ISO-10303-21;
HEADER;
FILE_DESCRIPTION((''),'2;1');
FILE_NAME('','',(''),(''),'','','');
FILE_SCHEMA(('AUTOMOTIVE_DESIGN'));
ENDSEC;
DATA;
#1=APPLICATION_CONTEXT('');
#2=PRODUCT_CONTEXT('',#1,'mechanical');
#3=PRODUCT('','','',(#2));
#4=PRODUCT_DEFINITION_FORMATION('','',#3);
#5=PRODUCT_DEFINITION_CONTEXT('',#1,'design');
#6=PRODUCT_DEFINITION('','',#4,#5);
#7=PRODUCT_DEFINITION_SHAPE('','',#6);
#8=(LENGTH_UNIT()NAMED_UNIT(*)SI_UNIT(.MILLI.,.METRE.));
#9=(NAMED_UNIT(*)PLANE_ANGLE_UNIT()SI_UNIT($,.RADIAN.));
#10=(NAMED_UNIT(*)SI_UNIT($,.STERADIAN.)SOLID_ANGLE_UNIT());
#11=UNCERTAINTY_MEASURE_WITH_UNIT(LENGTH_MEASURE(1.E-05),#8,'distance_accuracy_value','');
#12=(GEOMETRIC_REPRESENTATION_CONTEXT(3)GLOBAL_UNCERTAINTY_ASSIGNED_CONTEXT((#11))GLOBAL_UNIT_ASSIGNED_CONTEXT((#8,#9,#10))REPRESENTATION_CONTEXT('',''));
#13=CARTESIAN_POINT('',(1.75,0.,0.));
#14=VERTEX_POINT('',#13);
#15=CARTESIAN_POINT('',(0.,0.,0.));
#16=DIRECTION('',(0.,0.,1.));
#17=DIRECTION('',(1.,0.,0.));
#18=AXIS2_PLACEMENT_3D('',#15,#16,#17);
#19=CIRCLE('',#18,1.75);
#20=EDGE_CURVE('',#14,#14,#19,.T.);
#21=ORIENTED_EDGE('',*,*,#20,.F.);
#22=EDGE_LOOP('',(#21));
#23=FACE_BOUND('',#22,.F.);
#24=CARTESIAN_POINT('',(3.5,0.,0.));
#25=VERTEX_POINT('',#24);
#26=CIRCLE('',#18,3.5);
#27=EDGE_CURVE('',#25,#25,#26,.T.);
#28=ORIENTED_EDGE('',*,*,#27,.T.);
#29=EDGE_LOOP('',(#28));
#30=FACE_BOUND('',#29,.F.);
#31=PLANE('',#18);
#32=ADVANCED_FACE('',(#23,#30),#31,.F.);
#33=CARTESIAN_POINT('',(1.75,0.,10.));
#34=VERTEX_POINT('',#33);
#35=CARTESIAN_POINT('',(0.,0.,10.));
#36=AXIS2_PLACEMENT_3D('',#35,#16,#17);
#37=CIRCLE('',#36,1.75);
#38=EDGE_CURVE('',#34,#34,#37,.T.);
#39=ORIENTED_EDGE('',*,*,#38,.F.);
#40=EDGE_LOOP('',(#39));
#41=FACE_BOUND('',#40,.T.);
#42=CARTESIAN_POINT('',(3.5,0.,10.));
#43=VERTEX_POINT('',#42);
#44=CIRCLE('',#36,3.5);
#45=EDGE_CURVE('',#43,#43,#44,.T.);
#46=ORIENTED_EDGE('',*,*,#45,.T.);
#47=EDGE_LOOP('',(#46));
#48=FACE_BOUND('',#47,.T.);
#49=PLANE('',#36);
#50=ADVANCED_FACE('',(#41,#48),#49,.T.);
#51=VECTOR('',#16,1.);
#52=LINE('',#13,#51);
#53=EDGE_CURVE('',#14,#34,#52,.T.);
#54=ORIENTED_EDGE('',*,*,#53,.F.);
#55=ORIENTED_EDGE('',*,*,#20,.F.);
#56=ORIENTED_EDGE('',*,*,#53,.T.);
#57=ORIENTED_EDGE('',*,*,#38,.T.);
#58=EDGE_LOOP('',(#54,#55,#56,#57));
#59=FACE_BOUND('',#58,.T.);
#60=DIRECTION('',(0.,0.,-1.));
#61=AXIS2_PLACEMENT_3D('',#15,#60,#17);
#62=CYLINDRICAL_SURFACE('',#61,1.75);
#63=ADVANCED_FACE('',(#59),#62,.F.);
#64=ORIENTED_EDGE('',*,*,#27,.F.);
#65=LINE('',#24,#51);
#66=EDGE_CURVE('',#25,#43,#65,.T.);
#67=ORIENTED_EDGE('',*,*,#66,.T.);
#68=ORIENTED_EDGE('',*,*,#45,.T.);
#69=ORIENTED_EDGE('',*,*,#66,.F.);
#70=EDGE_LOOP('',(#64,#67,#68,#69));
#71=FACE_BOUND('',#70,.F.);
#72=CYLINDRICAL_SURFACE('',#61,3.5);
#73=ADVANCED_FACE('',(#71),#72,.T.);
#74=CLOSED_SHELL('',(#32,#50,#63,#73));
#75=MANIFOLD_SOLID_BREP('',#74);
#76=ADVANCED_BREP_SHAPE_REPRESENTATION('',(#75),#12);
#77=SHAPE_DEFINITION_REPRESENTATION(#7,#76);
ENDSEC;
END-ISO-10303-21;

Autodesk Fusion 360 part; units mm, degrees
sketch "Szkic2" plane through (0, 0, 0) normal (0, 0, 1) x (1, 0, 0)
  circle A0 centre (0, 0) radius 3.5
  circle A1 centre (0, 0) radius 1.75
  dimension "d12" = 7
  dimension "d13" = 3.5
extrude "Wyciągnięcie proste2" add sketch "Szkic2" along normal blind 10
